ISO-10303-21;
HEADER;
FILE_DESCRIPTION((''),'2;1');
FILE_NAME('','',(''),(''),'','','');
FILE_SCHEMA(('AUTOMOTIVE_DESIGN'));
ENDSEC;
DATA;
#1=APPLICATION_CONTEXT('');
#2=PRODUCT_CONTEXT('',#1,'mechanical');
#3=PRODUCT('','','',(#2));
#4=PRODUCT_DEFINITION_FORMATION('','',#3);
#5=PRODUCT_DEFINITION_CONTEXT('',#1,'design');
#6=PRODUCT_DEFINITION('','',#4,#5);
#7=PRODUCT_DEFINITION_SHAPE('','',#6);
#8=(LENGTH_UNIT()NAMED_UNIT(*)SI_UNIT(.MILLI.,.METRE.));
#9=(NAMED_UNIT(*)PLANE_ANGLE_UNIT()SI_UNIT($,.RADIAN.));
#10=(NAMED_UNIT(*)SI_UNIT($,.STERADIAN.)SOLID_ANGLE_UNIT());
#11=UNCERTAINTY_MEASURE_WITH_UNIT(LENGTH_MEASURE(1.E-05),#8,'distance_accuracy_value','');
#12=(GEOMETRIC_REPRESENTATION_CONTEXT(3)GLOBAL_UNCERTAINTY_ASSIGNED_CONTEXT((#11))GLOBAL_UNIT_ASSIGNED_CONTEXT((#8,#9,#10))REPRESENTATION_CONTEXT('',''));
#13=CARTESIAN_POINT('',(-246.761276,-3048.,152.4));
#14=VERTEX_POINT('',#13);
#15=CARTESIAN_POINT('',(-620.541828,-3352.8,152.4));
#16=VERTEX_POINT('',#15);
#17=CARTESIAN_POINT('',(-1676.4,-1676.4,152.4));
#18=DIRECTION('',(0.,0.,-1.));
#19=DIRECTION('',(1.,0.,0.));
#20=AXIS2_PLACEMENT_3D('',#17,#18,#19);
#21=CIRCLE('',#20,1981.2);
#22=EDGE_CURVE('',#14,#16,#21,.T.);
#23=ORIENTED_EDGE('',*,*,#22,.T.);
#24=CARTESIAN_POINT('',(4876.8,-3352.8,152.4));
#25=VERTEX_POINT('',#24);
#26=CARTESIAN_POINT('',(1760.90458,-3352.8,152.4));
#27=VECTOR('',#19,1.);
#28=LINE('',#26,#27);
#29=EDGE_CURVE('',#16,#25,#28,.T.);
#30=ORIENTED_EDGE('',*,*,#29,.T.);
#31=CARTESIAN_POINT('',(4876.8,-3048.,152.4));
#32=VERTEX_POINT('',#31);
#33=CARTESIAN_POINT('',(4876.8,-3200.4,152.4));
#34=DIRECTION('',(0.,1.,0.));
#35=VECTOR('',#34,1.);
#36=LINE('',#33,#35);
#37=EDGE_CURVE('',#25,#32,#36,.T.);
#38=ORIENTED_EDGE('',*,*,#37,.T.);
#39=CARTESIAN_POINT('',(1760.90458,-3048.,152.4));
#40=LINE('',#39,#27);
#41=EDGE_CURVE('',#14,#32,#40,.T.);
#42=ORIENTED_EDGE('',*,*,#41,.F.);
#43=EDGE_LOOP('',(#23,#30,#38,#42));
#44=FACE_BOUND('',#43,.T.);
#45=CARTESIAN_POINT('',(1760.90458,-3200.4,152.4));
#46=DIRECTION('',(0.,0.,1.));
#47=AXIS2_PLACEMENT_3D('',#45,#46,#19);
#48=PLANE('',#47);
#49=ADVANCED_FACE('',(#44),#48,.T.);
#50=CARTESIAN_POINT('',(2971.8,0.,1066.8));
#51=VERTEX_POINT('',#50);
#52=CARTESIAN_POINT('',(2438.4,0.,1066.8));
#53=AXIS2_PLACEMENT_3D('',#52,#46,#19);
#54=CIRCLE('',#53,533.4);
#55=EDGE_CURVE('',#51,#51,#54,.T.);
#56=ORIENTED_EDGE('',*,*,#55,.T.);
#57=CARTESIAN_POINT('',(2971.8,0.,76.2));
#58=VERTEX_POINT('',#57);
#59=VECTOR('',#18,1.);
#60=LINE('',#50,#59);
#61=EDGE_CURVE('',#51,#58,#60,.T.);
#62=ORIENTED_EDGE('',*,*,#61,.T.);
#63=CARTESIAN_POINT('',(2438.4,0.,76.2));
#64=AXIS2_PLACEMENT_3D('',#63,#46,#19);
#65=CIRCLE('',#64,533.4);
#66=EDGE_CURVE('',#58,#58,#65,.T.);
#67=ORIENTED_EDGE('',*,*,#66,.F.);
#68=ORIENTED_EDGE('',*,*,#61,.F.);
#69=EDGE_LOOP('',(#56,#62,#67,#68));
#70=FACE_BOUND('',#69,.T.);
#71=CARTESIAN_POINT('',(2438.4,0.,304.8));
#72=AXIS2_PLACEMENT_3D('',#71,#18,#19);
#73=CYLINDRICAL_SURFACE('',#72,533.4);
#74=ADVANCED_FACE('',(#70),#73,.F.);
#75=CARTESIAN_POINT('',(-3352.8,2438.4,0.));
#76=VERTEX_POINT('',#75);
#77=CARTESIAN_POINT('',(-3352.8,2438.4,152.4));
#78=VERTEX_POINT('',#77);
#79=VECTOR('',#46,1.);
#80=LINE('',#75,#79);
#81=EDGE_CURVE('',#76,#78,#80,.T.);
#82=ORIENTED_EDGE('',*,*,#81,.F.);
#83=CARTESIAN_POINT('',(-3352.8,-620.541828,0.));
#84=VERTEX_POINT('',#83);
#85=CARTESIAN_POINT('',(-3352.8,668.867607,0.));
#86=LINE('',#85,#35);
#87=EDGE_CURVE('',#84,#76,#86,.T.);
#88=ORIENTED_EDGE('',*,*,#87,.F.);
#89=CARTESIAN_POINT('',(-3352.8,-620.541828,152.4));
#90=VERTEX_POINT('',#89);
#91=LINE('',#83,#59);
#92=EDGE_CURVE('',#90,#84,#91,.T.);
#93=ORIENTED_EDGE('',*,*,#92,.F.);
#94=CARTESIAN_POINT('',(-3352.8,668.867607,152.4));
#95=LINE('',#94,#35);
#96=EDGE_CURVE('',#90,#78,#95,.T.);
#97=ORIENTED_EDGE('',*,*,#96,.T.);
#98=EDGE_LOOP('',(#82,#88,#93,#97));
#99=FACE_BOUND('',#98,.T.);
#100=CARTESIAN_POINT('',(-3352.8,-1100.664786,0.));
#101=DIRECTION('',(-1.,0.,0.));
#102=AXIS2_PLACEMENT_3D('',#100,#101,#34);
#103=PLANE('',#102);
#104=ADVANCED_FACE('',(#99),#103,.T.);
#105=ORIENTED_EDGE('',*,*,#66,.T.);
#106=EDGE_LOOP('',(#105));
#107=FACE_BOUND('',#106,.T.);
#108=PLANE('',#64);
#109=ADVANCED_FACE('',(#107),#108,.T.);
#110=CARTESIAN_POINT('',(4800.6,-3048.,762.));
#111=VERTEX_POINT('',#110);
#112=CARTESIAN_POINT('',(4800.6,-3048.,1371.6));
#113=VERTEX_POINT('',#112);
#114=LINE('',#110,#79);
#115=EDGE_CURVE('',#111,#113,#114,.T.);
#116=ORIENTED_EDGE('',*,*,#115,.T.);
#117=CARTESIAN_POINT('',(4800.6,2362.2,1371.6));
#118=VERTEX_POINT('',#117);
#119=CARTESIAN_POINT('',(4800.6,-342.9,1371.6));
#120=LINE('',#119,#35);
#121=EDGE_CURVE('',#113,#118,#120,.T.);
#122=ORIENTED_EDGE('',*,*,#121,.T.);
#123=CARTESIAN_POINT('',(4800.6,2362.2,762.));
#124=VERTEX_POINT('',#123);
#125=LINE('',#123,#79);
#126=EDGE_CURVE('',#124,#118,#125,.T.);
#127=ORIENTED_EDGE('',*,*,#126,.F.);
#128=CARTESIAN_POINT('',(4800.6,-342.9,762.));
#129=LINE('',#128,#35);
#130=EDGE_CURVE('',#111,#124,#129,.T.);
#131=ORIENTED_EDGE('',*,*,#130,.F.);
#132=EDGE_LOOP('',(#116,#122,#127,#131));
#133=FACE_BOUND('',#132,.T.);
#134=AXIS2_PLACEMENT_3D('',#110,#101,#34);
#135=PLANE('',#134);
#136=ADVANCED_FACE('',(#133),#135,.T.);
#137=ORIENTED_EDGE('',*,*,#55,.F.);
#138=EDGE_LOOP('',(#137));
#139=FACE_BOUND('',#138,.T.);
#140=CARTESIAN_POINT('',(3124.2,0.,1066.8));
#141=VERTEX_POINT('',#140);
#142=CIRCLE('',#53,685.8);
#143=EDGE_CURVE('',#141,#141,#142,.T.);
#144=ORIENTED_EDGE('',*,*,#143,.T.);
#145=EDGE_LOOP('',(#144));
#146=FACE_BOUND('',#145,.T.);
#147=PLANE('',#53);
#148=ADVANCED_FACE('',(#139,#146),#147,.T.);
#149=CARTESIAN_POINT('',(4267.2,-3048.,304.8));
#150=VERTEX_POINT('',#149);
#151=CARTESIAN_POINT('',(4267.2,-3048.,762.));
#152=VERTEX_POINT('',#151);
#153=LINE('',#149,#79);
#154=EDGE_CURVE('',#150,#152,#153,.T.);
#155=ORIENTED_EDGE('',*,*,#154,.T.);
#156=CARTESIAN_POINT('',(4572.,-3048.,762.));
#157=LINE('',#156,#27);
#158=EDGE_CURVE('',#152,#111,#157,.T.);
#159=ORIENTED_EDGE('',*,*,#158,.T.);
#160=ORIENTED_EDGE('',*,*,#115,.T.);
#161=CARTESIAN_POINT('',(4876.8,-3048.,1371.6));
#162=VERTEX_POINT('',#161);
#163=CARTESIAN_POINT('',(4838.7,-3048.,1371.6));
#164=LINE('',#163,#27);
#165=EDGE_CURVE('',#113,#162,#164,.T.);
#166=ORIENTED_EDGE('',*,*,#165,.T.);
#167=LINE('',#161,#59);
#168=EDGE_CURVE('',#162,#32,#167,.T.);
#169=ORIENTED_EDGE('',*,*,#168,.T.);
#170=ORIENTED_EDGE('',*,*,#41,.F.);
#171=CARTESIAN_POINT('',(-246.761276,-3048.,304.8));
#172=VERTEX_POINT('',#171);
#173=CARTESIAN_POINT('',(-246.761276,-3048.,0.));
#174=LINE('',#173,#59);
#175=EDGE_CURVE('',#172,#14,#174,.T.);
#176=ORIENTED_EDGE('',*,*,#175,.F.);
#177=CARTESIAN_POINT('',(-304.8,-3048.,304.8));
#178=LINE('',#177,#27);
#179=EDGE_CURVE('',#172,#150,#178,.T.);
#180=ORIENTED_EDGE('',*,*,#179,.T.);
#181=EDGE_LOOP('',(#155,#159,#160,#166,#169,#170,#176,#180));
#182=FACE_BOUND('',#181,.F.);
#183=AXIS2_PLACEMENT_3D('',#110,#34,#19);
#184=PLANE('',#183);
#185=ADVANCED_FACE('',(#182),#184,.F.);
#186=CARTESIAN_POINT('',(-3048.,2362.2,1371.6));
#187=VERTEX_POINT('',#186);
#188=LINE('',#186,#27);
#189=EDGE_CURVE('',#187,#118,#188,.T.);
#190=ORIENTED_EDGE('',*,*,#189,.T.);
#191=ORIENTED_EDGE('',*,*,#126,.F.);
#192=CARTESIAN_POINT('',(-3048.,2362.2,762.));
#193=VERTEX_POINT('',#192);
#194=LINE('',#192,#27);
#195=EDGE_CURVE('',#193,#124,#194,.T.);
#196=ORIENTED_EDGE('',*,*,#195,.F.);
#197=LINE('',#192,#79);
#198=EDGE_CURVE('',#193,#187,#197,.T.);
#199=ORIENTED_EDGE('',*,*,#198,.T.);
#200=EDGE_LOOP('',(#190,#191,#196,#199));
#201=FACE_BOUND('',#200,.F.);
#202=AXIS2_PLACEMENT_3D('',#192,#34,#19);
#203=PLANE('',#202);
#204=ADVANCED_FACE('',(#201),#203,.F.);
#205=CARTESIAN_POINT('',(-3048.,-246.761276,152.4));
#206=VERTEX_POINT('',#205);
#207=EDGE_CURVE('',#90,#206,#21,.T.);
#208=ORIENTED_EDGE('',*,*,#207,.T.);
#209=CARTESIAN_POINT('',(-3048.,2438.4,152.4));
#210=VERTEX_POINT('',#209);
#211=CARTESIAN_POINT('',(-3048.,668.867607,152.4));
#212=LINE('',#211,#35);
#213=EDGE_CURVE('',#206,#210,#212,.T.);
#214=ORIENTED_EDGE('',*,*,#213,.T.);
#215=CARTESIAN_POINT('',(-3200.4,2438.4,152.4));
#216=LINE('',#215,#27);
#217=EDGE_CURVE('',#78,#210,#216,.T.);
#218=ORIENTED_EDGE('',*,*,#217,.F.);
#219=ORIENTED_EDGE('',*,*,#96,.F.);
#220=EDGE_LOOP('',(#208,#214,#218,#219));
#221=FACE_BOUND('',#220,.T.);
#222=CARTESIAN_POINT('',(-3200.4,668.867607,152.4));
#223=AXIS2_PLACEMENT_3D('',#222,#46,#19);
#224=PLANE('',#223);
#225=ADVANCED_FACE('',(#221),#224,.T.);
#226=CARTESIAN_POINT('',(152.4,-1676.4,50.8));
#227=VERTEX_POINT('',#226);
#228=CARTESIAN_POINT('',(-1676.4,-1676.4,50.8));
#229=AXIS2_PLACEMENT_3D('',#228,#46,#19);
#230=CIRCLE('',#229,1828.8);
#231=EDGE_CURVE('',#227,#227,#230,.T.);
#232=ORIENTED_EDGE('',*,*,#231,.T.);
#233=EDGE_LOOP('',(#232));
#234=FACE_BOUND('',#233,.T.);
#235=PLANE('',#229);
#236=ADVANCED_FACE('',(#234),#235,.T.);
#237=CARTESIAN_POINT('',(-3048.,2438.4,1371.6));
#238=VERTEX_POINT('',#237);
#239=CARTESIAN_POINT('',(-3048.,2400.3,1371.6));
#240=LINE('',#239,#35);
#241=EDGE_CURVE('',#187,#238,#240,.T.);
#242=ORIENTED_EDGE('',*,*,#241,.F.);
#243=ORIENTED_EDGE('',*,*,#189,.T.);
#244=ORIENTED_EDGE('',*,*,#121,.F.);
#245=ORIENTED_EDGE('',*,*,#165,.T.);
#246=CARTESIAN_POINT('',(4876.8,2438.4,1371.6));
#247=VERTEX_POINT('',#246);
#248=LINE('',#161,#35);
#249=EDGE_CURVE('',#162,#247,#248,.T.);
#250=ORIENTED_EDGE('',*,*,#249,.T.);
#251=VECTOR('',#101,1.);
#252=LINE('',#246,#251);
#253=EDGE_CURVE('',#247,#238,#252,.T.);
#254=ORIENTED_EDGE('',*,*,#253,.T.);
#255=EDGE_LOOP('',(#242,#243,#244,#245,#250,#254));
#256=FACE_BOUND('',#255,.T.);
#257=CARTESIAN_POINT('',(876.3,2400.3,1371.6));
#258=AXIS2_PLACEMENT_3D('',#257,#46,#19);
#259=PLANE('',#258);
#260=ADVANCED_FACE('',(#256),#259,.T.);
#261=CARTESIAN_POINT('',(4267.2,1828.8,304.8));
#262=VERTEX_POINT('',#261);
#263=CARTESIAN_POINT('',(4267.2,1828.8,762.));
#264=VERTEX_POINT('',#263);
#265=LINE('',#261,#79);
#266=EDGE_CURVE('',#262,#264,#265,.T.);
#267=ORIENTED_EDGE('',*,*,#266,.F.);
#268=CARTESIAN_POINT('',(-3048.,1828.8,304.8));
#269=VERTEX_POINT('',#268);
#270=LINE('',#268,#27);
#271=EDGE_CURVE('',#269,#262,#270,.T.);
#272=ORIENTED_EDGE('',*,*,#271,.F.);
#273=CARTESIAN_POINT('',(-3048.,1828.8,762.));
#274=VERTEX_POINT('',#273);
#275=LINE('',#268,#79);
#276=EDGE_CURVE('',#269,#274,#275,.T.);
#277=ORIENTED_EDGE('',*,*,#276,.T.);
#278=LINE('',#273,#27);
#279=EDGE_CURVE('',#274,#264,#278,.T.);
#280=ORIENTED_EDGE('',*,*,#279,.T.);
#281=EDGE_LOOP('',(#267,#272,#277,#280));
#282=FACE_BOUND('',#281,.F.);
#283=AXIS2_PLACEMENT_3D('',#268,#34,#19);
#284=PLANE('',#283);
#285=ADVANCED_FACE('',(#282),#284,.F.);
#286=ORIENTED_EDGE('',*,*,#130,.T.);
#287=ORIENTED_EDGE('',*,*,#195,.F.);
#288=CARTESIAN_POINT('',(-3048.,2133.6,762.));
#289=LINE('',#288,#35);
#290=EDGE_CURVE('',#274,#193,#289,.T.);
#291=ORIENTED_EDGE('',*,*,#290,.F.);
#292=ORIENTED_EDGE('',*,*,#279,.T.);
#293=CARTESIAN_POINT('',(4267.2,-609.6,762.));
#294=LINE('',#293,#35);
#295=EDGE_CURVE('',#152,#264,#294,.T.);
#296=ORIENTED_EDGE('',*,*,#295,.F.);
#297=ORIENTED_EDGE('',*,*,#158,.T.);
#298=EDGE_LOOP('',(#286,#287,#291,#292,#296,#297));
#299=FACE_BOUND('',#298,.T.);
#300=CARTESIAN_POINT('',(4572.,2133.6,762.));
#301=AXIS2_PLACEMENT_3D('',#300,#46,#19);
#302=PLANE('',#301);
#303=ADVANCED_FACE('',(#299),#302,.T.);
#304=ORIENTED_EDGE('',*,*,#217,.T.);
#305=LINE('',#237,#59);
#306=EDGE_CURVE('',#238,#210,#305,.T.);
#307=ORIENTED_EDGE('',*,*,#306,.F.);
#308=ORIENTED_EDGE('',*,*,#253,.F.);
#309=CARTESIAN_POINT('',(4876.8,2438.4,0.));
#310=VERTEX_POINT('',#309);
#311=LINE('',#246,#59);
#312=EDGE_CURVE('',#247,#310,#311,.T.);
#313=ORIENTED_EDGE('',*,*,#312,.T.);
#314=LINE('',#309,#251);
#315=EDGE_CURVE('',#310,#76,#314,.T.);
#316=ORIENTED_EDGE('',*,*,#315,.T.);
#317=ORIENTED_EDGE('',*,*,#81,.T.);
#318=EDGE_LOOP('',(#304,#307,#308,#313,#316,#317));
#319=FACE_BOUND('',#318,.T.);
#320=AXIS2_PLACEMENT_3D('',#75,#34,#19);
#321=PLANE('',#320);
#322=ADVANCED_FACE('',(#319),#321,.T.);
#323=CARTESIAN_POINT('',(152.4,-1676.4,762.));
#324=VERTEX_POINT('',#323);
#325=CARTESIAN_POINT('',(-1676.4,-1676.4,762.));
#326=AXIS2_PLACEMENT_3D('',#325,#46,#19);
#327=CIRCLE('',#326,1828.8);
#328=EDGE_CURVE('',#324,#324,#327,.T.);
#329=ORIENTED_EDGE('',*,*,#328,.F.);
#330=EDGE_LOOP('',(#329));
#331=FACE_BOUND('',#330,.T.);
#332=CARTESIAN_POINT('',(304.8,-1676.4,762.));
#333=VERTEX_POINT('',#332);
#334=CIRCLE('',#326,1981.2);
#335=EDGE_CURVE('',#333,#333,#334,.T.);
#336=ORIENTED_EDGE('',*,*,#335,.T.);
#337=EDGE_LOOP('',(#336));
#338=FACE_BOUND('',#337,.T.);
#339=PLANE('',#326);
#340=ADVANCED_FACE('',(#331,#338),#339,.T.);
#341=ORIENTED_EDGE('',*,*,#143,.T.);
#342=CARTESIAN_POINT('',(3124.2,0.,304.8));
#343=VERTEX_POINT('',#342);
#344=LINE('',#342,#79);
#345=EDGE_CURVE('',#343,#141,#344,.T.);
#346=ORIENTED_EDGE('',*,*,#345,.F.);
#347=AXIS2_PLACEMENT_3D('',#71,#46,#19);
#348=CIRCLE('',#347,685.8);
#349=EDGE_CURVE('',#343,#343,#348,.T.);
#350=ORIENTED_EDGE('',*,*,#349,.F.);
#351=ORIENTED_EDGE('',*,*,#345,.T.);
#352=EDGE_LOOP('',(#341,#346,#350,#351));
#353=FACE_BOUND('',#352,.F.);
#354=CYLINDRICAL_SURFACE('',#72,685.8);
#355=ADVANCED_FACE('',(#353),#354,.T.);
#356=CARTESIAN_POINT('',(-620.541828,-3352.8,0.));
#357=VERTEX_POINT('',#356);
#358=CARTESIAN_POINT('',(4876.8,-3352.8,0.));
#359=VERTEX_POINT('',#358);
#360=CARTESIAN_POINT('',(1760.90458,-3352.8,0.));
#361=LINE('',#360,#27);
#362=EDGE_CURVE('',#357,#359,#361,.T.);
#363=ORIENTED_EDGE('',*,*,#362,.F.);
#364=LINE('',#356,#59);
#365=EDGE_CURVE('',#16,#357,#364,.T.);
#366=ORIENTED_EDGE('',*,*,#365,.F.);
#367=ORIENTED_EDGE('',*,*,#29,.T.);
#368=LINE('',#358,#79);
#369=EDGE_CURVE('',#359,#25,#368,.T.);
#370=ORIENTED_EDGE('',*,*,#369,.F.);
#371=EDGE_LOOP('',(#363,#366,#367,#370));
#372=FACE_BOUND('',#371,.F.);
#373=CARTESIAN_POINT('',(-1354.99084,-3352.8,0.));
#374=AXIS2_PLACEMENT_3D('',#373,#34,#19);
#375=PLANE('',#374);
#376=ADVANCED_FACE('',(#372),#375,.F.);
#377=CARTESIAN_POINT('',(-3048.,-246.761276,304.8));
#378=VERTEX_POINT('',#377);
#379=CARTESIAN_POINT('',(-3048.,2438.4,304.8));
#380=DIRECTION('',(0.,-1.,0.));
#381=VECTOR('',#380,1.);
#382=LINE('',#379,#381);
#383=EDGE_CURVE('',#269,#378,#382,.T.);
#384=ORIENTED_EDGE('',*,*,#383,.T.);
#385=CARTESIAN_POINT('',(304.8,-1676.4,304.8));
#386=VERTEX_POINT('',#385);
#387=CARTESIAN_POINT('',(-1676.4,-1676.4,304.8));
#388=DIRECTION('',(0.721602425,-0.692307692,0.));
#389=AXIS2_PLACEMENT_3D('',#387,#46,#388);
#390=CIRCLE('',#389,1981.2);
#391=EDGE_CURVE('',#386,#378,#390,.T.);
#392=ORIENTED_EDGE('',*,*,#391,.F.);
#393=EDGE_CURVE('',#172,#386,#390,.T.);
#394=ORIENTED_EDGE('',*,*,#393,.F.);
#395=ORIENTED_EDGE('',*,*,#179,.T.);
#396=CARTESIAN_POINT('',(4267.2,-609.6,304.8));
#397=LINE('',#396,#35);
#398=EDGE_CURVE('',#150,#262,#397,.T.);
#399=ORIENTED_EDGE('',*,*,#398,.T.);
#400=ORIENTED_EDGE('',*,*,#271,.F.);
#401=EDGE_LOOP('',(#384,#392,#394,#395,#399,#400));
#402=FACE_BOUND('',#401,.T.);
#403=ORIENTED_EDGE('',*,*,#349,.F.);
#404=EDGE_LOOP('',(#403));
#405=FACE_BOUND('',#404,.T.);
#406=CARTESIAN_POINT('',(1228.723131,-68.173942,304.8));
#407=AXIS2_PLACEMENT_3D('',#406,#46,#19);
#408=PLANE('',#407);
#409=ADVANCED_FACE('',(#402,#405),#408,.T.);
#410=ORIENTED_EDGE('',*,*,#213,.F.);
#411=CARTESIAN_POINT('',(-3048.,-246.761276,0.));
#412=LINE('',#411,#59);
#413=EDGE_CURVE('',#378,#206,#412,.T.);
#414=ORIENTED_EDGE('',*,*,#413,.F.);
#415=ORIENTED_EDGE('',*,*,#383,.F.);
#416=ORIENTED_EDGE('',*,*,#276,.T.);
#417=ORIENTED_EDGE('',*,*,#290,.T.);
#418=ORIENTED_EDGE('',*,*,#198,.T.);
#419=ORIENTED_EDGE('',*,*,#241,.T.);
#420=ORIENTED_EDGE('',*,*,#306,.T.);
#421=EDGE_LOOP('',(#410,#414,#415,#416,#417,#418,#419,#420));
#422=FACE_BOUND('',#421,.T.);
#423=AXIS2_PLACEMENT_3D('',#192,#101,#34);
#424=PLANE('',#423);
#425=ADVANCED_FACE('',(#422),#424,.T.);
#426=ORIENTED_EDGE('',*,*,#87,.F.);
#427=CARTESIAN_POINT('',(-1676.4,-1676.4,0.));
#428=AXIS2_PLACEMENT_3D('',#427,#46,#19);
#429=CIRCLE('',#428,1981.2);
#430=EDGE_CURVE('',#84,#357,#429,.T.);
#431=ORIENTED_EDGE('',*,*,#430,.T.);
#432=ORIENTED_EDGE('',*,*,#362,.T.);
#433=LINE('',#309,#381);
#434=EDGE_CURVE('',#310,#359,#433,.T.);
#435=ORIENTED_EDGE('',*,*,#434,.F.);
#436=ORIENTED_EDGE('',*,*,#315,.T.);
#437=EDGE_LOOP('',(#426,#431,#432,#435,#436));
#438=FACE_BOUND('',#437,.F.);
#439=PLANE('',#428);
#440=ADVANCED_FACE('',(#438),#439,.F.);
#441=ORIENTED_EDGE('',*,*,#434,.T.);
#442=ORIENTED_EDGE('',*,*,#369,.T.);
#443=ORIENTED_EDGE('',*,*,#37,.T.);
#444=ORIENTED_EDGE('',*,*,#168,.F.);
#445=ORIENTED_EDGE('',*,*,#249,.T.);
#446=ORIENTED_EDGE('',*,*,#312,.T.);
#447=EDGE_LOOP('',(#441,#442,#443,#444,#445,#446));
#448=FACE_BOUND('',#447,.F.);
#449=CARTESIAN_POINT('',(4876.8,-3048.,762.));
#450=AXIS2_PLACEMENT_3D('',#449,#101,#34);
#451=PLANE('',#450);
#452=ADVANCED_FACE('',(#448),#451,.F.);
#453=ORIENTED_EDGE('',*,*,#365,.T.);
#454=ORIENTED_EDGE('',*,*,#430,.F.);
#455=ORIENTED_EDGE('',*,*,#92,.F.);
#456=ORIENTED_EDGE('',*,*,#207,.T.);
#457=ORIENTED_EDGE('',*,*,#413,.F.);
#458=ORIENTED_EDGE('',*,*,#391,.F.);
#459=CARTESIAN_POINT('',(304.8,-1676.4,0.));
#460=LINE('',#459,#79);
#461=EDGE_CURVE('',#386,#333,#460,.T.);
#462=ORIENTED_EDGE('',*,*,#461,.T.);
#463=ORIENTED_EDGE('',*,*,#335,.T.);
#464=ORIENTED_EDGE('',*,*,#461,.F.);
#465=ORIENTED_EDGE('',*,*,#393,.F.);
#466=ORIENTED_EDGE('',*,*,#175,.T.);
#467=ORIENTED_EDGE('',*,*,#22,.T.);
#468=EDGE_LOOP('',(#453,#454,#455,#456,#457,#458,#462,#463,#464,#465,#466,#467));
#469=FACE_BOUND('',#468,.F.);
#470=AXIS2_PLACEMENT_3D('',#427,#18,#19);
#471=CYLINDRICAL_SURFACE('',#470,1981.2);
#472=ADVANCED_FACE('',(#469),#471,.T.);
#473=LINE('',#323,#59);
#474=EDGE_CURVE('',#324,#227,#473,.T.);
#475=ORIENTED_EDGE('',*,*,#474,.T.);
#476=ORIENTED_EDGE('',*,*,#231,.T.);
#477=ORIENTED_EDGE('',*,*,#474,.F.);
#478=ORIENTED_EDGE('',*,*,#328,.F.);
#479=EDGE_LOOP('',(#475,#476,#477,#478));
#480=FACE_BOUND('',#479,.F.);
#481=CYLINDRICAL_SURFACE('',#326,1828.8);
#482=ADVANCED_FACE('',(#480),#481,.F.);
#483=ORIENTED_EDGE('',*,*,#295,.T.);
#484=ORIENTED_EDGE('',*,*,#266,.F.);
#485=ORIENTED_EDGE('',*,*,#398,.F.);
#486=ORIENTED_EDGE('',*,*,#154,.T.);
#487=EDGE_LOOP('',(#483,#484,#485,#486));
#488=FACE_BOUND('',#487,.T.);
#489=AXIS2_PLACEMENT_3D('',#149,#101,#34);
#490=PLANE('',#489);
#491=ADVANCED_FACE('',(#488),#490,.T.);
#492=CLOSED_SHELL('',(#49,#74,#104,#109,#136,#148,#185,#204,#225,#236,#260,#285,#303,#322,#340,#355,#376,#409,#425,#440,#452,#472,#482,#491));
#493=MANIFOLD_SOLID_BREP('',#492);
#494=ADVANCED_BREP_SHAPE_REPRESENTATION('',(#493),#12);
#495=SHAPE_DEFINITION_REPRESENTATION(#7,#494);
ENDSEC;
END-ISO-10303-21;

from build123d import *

# Parameters (mm, degrees)
F1_DEPTH  = 304.8
F2_W      = 609.6
F2_H      = 609.6
F2_W_2    = 7315.2
F2_H_2    = 4876.8
F3_DEPTH  = 457.2
F4_W      = 7848.6
F4_H      = 76.2
F4_W_2    = 76.2
F4_H_2    = 5410.2
F5_DEPTH  = 609.6
F6_W      = 304.8
F6_H      = 3539.064786
F6_W_2    = 6231.79084
F6_H_2    = 304.8
F7_DEPTH  = 152.4
F8_R      = 1981.2
F9_DEPTH  = 1371.601
F10_R     = 1981.2
F11_DEPTH = 762
F12_R     = 1828.8
F13_DEPTH = 711.2
F14_R     = 685.8
F14_R_2   = 533.4
F15_DEPTH = 762
F16_R     = 533.4
F17_DEPTH = 228.6


with BuildPart() as f1:
    # F0 (on Top) → F1 (new body)
    with BuildSketch(Plane.XY):
        Polygon((4876.8, 2438.4), (-3048, 2438.4), (-3048, -304.8), (-304.8, -3048), (4876.8, -3048), align=None)
    extrude(amount=F1_DEPTH)

    # F2 (on face) → F3 (join)
    with BuildSketch(Plane.XY.offset(304.8)):
        with Locations((4572, 2133.6)):
            Rectangle(F2_W, F2_H)
        with Locations((609.6, 2133.6)):
            Rectangle(F2_W_2, F2_H)
        with Locations((4572, -609.6)):
            Rectangle(F2_W, F2_H_2)
    extrude(amount=F3_DEPTH)

    # F4 (on face) → F5 (join)
    with BuildSketch(Plane.XY.offset(762)):
        with Locations((876.3, 2400.3)):
            Rectangle(F4_W, F4_H)
        with Locations((4838.7, 2400.3)):
            Rectangle(F4_W_2, F4_H)
        with Locations((4838.7, -342.9)):
            Rectangle(F4_W_2, F4_H_2)
    extrude(amount=F5_DEPTH)

    # F6 (on Top) → F7 (join)
    with BuildSketch(Plane.XY):
        with Locations((-3200.4, 668.867607)):
            Rectangle(F6_W, F6_H)
        with Locations((1760.90458, -3200.4)):
            Rectangle(F6_W_2, F6_H_2)
    extrude(amount=F7_DEPTH)

    # F8 (on Top) → F9 (cut, through all)
    with BuildSketch(Plane.XY):
        with Locations((-1676.4, -1676.4)):
            Circle(F8_R)
    extrude(amount=F9_DEPTH, mode=Mode.SUBTRACT)

    # F10 (on Top) → F11 (join)
    with BuildSketch(Plane.XY):
        with Locations((-1676.4, -1676.4)):
            Circle(F10_R)
    extrude(amount=F11_DEPTH)

    # F12 (on face) → F13 (cut)
    with BuildSketch(Plane.XY.offset(762)):
        with Locations((-1676.4, -1676.4)):
            Circle(F12_R)
    extrude(amount=-F13_DEPTH, mode=Mode.SUBTRACT)

    # F14 (on face) → F15 (join)
    with BuildSketch(Plane.XY.offset(304.8)):
        with Locations((2438.4, 0)):
            Circle(F14_R)
        with Locations((2438.4, 0)):
            Circle(F14_R_2, mode=Mode.SUBTRACT)
    extrude(amount=F15_DEPTH)

    # F16 (on face) → F17 (cut)
    with BuildSketch(Plane.XY.offset(304.8)):
        with Locations((2438.4, 0)):
            Circle(F16_R)
    extrude(amount=-F17_DEPTH, mode=Mode.SUBTRACT)


solid = f1.part
